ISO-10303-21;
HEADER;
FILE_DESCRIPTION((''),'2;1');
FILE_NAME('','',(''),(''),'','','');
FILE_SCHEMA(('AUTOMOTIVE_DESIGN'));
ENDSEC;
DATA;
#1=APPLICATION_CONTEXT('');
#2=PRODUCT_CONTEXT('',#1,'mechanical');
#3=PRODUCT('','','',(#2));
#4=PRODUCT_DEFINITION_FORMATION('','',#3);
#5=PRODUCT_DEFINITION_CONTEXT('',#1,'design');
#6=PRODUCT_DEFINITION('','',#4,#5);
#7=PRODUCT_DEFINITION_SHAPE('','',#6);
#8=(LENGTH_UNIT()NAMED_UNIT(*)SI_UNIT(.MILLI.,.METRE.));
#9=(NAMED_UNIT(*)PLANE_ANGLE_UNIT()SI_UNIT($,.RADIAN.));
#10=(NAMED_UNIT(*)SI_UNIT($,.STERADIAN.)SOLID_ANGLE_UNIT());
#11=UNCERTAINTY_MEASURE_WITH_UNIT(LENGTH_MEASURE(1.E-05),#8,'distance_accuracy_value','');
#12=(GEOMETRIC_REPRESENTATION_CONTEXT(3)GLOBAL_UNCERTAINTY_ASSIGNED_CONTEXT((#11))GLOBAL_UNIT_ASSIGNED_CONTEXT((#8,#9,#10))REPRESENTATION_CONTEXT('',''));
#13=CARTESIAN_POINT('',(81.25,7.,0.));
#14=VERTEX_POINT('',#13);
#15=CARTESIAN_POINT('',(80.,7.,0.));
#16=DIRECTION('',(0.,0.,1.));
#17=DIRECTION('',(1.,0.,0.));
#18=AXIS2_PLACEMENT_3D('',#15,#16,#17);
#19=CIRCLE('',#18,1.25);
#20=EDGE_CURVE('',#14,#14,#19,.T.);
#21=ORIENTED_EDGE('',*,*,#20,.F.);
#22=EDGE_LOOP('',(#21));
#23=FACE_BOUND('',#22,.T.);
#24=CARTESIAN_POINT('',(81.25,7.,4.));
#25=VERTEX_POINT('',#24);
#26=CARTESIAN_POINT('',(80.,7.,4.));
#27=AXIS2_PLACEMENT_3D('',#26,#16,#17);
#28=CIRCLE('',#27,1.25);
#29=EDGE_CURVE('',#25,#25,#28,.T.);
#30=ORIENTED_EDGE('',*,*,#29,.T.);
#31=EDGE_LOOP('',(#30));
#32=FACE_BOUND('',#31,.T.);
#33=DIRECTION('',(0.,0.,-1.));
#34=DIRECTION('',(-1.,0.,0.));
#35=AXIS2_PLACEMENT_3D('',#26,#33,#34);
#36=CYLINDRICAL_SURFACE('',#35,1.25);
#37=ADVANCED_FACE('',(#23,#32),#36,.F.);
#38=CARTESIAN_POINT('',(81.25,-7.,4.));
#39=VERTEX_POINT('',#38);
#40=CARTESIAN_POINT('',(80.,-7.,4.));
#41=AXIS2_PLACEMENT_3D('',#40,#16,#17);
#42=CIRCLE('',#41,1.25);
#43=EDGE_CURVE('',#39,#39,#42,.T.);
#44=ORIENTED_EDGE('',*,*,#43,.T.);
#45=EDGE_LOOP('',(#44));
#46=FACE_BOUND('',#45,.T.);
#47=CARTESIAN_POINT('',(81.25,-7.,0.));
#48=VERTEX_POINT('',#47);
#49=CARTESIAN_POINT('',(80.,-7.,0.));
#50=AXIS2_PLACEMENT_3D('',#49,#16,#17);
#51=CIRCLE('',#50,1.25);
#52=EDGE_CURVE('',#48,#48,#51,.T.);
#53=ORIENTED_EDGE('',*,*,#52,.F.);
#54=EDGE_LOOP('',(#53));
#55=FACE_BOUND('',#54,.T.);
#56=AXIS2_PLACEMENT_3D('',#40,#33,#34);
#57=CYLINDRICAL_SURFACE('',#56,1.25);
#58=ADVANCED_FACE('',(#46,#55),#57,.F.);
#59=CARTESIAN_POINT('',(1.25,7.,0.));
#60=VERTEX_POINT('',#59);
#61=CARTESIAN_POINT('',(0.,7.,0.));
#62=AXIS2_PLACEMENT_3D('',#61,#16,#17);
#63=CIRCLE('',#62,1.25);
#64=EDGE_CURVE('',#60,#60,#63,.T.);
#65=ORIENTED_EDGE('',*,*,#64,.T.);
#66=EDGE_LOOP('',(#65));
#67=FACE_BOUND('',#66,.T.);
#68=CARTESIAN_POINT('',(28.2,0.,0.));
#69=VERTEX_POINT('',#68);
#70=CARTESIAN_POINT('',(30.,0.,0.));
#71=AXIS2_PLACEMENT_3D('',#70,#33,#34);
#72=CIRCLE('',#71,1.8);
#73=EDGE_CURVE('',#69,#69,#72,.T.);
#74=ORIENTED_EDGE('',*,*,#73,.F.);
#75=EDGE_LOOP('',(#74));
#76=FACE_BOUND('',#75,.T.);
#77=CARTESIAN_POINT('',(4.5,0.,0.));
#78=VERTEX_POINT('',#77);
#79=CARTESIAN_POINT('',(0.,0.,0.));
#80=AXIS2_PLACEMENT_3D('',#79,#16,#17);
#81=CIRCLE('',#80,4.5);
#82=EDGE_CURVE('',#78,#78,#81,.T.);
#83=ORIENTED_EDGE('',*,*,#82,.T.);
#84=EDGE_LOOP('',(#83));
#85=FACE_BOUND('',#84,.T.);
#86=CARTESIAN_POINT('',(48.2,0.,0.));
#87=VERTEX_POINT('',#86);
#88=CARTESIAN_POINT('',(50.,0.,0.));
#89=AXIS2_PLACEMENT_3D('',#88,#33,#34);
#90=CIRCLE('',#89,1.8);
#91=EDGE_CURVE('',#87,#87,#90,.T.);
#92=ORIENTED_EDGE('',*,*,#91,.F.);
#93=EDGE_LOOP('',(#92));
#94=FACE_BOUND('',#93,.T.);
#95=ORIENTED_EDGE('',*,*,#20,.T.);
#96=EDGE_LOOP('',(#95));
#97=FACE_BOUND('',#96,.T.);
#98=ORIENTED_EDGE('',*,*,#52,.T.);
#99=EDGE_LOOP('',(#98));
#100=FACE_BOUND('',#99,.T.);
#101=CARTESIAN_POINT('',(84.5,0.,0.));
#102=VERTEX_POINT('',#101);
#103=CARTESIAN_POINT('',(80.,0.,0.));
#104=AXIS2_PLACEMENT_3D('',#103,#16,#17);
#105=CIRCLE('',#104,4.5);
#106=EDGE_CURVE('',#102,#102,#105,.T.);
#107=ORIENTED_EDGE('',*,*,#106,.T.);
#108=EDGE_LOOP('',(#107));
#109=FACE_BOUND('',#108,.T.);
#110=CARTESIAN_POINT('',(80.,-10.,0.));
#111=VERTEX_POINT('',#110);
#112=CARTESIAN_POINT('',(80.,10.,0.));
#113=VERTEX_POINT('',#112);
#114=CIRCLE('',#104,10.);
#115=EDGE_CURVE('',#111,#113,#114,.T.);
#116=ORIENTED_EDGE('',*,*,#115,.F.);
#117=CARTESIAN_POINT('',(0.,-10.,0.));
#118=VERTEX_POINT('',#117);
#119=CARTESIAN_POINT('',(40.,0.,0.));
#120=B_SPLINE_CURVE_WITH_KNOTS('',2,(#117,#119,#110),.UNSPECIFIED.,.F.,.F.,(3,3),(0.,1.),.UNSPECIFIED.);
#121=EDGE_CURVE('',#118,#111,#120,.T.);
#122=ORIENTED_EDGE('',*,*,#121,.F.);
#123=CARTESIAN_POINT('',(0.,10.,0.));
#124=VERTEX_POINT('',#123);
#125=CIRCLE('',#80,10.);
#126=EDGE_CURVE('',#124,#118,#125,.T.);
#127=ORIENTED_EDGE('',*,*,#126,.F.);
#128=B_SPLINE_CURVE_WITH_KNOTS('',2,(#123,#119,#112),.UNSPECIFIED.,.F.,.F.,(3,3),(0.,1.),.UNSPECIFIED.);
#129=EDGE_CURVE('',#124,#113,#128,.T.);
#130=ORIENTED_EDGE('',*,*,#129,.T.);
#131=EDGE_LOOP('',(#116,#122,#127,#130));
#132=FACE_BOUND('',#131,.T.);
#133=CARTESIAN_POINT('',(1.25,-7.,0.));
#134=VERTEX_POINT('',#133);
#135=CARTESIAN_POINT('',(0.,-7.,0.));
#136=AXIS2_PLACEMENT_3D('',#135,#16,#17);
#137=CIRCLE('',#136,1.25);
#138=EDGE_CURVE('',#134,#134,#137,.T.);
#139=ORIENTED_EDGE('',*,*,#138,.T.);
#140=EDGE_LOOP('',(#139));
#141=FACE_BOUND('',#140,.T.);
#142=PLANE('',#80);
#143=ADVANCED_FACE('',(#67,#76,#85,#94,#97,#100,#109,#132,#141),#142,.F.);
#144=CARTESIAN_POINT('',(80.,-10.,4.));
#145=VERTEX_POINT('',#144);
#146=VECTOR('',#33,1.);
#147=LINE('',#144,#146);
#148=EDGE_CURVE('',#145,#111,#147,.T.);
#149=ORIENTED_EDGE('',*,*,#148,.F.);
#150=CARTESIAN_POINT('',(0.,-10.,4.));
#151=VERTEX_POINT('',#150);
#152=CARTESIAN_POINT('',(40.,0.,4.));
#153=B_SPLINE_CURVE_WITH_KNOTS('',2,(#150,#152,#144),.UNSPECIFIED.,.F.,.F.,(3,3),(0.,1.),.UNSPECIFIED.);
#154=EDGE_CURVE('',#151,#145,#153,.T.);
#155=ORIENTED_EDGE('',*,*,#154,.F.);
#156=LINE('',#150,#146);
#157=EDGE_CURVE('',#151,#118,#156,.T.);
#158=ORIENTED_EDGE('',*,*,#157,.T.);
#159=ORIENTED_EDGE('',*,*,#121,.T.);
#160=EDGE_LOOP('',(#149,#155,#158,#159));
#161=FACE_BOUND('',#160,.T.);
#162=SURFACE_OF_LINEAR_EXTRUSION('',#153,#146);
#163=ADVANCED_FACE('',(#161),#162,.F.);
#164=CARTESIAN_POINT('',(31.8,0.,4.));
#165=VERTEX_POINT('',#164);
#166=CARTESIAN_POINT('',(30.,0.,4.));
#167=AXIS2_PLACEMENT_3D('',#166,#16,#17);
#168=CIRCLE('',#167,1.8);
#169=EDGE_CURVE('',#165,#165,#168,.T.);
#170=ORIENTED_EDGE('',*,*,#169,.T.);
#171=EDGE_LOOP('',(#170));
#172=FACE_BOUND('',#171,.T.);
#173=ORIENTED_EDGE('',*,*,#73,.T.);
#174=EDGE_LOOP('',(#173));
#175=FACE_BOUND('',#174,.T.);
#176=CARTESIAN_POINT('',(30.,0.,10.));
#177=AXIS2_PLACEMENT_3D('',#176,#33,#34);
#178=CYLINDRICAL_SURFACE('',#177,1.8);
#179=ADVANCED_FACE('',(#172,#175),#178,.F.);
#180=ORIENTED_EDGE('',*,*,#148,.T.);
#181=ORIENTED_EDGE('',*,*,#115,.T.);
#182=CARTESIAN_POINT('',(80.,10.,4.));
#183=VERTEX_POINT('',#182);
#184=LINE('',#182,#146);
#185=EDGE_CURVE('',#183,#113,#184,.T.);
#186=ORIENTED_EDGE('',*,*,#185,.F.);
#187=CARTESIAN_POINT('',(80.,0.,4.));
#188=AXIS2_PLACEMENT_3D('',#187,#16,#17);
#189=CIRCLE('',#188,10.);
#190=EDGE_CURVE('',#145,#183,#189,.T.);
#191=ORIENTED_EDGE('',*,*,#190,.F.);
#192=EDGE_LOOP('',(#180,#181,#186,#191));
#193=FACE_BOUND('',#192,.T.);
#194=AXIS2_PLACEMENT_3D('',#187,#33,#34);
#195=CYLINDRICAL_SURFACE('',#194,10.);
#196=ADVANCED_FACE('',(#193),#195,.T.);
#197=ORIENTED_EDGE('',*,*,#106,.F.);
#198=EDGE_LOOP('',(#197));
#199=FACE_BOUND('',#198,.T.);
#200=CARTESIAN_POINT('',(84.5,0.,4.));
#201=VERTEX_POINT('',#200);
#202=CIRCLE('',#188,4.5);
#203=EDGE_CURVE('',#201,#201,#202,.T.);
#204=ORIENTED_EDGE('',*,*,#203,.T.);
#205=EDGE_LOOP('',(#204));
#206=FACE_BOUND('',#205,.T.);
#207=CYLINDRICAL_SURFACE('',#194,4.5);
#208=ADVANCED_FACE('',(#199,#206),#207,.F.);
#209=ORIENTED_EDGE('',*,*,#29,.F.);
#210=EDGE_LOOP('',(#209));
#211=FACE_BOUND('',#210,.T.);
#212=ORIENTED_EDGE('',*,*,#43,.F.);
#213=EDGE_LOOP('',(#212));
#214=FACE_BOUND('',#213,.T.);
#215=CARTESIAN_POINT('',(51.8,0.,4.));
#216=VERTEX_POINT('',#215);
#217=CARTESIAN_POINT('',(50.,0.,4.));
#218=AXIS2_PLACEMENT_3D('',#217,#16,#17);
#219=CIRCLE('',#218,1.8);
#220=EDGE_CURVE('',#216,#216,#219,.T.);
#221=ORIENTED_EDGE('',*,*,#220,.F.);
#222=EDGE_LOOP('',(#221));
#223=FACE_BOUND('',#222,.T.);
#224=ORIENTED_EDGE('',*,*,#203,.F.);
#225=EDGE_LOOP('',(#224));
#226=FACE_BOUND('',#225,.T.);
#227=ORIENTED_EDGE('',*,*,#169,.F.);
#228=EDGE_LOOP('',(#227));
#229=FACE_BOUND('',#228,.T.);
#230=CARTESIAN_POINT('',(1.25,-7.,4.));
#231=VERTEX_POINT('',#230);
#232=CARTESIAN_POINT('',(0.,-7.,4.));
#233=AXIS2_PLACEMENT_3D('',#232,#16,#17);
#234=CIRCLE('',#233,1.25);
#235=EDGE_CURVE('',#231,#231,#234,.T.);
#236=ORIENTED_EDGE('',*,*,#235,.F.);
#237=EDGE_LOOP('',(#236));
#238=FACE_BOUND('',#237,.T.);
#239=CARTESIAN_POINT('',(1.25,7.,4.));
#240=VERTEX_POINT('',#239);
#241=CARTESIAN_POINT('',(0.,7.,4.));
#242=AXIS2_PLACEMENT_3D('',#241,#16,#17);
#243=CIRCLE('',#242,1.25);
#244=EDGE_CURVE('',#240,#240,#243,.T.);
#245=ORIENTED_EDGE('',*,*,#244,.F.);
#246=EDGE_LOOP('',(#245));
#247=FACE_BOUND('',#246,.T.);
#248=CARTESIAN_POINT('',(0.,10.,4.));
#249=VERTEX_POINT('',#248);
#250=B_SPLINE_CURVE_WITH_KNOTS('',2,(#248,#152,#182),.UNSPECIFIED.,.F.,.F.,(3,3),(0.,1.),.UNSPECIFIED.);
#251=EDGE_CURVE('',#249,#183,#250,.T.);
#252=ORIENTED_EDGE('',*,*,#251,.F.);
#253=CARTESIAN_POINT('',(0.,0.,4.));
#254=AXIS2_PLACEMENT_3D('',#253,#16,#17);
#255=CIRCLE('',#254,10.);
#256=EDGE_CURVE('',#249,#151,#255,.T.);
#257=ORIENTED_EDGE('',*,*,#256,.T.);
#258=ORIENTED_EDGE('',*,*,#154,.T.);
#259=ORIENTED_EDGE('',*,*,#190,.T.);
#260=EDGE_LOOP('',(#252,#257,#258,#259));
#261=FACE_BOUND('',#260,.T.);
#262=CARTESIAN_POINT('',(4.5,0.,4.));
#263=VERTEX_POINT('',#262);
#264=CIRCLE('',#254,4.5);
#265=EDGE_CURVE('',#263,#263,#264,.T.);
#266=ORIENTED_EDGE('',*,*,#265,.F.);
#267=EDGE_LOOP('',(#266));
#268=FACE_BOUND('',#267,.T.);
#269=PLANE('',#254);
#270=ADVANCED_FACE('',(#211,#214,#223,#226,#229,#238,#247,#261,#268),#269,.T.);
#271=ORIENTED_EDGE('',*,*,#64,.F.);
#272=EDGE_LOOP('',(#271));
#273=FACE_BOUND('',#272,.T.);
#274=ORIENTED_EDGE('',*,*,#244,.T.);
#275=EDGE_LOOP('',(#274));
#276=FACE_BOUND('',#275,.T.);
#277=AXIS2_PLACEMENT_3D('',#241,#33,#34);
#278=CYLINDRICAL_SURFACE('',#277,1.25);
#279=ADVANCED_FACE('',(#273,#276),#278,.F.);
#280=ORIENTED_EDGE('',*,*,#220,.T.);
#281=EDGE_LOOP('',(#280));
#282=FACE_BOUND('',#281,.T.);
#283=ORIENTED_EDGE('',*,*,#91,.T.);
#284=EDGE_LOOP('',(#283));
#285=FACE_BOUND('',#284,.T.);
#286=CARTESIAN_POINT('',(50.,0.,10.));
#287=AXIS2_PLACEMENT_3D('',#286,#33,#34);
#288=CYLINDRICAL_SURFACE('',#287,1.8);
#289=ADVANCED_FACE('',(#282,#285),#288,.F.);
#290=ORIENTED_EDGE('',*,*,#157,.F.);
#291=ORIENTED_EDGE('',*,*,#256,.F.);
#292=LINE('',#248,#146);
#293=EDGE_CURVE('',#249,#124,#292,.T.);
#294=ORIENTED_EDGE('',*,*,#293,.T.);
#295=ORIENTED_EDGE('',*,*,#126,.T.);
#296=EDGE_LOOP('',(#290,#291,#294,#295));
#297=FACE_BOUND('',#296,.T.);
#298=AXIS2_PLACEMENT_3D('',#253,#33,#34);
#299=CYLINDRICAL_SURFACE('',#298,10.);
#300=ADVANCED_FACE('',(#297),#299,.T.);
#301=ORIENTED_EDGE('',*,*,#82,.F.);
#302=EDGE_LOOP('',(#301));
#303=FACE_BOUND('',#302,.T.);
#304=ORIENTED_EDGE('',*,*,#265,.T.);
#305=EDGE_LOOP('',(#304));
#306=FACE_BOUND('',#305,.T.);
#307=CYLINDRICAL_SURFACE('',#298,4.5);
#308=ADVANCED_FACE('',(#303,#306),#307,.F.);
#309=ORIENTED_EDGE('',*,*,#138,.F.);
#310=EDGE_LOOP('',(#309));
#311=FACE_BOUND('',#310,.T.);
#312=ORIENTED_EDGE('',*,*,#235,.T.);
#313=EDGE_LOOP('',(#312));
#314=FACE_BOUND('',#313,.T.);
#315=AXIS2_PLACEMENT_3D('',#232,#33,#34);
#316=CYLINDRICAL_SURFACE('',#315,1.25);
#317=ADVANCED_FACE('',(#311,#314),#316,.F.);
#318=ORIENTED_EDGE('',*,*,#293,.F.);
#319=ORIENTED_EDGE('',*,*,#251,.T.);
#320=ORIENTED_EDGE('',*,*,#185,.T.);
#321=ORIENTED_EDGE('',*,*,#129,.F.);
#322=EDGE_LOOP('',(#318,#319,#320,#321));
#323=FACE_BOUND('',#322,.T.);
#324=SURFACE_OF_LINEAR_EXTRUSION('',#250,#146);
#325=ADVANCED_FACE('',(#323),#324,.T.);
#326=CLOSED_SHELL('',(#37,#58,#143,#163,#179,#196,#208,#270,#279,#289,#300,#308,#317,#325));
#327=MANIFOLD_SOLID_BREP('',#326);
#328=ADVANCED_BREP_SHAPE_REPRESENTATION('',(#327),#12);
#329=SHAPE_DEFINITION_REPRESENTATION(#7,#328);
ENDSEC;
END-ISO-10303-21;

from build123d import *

# Parameters (mm, degrees)
ESQUISSE1_R             = 1.25
ESQUISSE1_R_2           = 4.5
BOSS_EXTRU_1_DEPTH      = 4
ESQUISSE2_R             = 1.8
ENL_V_MAT_EXTRU_1_DEPTH = 10


with BuildPart() as part:
    # Esquisse1 → Boss.-Extru.1 (new body)
    with BuildSketch(Plane.XY):
        with BuildLine():
            ThreePointArc((0, 10.00000024), (-10.00000024, 0), (0, -10.00000024))
            add(Edge.make_bspline(
                [(0, -10.00000024), (40, 0), (80, -10.00000024)],
                knots=[0, 0, 0, 1, 1, 1], degree=2))
            ThreePointArc((80, -10.00000024), (90.00000024, 0), (80, 10.00000024))
            add(Edge.make_bspline(
                [(0, 10.00000024), (40, 0), (80, 10.00000024)],
                knots=[0, 0, 0, 1, 1, 1], degree=2))
        make_face()
        with Locations((80, -7)):
            Circle(ESQUISSE1_R, mode=Mode.SUBTRACT)
        with Locations((80, 7)):
            Circle(ESQUISSE1_R, mode=Mode.SUBTRACT)
        with Locations((0, -7)):
            Circle(ESQUISSE1_R, mode=Mode.SUBTRACT)
        with Locations((0, 7)):
            Circle(ESQUISSE1_R, mode=Mode.SUBTRACT)
        with Locations((80, 0)):
            Circle(ESQUISSE1_R_2, mode=Mode.SUBTRACT)
        Circle(ESQUISSE1_R_2, mode=Mode.SUBTRACT)
    extrude(amount=BOSS_EXTRU_1_DEPTH)

    # Esquisse2 → Enlèv. mat.-Extru.1 (cut)
    with BuildSketch(Plane(origin=(0, 0, 0), x_dir=(-1, 0, 0), z_dir=(0, 0, -1))):
        with Locations((-50, 0)):
            Circle(ESQUISSE2_R)
        with Locations((-30, 0)):
            Circle(ESQUISSE2_R)
    extrude(amount=-ENL_V_MAT_EXTRU_1_DEPTH, mode=Mode.SUBTRACT)


solid = part.part
